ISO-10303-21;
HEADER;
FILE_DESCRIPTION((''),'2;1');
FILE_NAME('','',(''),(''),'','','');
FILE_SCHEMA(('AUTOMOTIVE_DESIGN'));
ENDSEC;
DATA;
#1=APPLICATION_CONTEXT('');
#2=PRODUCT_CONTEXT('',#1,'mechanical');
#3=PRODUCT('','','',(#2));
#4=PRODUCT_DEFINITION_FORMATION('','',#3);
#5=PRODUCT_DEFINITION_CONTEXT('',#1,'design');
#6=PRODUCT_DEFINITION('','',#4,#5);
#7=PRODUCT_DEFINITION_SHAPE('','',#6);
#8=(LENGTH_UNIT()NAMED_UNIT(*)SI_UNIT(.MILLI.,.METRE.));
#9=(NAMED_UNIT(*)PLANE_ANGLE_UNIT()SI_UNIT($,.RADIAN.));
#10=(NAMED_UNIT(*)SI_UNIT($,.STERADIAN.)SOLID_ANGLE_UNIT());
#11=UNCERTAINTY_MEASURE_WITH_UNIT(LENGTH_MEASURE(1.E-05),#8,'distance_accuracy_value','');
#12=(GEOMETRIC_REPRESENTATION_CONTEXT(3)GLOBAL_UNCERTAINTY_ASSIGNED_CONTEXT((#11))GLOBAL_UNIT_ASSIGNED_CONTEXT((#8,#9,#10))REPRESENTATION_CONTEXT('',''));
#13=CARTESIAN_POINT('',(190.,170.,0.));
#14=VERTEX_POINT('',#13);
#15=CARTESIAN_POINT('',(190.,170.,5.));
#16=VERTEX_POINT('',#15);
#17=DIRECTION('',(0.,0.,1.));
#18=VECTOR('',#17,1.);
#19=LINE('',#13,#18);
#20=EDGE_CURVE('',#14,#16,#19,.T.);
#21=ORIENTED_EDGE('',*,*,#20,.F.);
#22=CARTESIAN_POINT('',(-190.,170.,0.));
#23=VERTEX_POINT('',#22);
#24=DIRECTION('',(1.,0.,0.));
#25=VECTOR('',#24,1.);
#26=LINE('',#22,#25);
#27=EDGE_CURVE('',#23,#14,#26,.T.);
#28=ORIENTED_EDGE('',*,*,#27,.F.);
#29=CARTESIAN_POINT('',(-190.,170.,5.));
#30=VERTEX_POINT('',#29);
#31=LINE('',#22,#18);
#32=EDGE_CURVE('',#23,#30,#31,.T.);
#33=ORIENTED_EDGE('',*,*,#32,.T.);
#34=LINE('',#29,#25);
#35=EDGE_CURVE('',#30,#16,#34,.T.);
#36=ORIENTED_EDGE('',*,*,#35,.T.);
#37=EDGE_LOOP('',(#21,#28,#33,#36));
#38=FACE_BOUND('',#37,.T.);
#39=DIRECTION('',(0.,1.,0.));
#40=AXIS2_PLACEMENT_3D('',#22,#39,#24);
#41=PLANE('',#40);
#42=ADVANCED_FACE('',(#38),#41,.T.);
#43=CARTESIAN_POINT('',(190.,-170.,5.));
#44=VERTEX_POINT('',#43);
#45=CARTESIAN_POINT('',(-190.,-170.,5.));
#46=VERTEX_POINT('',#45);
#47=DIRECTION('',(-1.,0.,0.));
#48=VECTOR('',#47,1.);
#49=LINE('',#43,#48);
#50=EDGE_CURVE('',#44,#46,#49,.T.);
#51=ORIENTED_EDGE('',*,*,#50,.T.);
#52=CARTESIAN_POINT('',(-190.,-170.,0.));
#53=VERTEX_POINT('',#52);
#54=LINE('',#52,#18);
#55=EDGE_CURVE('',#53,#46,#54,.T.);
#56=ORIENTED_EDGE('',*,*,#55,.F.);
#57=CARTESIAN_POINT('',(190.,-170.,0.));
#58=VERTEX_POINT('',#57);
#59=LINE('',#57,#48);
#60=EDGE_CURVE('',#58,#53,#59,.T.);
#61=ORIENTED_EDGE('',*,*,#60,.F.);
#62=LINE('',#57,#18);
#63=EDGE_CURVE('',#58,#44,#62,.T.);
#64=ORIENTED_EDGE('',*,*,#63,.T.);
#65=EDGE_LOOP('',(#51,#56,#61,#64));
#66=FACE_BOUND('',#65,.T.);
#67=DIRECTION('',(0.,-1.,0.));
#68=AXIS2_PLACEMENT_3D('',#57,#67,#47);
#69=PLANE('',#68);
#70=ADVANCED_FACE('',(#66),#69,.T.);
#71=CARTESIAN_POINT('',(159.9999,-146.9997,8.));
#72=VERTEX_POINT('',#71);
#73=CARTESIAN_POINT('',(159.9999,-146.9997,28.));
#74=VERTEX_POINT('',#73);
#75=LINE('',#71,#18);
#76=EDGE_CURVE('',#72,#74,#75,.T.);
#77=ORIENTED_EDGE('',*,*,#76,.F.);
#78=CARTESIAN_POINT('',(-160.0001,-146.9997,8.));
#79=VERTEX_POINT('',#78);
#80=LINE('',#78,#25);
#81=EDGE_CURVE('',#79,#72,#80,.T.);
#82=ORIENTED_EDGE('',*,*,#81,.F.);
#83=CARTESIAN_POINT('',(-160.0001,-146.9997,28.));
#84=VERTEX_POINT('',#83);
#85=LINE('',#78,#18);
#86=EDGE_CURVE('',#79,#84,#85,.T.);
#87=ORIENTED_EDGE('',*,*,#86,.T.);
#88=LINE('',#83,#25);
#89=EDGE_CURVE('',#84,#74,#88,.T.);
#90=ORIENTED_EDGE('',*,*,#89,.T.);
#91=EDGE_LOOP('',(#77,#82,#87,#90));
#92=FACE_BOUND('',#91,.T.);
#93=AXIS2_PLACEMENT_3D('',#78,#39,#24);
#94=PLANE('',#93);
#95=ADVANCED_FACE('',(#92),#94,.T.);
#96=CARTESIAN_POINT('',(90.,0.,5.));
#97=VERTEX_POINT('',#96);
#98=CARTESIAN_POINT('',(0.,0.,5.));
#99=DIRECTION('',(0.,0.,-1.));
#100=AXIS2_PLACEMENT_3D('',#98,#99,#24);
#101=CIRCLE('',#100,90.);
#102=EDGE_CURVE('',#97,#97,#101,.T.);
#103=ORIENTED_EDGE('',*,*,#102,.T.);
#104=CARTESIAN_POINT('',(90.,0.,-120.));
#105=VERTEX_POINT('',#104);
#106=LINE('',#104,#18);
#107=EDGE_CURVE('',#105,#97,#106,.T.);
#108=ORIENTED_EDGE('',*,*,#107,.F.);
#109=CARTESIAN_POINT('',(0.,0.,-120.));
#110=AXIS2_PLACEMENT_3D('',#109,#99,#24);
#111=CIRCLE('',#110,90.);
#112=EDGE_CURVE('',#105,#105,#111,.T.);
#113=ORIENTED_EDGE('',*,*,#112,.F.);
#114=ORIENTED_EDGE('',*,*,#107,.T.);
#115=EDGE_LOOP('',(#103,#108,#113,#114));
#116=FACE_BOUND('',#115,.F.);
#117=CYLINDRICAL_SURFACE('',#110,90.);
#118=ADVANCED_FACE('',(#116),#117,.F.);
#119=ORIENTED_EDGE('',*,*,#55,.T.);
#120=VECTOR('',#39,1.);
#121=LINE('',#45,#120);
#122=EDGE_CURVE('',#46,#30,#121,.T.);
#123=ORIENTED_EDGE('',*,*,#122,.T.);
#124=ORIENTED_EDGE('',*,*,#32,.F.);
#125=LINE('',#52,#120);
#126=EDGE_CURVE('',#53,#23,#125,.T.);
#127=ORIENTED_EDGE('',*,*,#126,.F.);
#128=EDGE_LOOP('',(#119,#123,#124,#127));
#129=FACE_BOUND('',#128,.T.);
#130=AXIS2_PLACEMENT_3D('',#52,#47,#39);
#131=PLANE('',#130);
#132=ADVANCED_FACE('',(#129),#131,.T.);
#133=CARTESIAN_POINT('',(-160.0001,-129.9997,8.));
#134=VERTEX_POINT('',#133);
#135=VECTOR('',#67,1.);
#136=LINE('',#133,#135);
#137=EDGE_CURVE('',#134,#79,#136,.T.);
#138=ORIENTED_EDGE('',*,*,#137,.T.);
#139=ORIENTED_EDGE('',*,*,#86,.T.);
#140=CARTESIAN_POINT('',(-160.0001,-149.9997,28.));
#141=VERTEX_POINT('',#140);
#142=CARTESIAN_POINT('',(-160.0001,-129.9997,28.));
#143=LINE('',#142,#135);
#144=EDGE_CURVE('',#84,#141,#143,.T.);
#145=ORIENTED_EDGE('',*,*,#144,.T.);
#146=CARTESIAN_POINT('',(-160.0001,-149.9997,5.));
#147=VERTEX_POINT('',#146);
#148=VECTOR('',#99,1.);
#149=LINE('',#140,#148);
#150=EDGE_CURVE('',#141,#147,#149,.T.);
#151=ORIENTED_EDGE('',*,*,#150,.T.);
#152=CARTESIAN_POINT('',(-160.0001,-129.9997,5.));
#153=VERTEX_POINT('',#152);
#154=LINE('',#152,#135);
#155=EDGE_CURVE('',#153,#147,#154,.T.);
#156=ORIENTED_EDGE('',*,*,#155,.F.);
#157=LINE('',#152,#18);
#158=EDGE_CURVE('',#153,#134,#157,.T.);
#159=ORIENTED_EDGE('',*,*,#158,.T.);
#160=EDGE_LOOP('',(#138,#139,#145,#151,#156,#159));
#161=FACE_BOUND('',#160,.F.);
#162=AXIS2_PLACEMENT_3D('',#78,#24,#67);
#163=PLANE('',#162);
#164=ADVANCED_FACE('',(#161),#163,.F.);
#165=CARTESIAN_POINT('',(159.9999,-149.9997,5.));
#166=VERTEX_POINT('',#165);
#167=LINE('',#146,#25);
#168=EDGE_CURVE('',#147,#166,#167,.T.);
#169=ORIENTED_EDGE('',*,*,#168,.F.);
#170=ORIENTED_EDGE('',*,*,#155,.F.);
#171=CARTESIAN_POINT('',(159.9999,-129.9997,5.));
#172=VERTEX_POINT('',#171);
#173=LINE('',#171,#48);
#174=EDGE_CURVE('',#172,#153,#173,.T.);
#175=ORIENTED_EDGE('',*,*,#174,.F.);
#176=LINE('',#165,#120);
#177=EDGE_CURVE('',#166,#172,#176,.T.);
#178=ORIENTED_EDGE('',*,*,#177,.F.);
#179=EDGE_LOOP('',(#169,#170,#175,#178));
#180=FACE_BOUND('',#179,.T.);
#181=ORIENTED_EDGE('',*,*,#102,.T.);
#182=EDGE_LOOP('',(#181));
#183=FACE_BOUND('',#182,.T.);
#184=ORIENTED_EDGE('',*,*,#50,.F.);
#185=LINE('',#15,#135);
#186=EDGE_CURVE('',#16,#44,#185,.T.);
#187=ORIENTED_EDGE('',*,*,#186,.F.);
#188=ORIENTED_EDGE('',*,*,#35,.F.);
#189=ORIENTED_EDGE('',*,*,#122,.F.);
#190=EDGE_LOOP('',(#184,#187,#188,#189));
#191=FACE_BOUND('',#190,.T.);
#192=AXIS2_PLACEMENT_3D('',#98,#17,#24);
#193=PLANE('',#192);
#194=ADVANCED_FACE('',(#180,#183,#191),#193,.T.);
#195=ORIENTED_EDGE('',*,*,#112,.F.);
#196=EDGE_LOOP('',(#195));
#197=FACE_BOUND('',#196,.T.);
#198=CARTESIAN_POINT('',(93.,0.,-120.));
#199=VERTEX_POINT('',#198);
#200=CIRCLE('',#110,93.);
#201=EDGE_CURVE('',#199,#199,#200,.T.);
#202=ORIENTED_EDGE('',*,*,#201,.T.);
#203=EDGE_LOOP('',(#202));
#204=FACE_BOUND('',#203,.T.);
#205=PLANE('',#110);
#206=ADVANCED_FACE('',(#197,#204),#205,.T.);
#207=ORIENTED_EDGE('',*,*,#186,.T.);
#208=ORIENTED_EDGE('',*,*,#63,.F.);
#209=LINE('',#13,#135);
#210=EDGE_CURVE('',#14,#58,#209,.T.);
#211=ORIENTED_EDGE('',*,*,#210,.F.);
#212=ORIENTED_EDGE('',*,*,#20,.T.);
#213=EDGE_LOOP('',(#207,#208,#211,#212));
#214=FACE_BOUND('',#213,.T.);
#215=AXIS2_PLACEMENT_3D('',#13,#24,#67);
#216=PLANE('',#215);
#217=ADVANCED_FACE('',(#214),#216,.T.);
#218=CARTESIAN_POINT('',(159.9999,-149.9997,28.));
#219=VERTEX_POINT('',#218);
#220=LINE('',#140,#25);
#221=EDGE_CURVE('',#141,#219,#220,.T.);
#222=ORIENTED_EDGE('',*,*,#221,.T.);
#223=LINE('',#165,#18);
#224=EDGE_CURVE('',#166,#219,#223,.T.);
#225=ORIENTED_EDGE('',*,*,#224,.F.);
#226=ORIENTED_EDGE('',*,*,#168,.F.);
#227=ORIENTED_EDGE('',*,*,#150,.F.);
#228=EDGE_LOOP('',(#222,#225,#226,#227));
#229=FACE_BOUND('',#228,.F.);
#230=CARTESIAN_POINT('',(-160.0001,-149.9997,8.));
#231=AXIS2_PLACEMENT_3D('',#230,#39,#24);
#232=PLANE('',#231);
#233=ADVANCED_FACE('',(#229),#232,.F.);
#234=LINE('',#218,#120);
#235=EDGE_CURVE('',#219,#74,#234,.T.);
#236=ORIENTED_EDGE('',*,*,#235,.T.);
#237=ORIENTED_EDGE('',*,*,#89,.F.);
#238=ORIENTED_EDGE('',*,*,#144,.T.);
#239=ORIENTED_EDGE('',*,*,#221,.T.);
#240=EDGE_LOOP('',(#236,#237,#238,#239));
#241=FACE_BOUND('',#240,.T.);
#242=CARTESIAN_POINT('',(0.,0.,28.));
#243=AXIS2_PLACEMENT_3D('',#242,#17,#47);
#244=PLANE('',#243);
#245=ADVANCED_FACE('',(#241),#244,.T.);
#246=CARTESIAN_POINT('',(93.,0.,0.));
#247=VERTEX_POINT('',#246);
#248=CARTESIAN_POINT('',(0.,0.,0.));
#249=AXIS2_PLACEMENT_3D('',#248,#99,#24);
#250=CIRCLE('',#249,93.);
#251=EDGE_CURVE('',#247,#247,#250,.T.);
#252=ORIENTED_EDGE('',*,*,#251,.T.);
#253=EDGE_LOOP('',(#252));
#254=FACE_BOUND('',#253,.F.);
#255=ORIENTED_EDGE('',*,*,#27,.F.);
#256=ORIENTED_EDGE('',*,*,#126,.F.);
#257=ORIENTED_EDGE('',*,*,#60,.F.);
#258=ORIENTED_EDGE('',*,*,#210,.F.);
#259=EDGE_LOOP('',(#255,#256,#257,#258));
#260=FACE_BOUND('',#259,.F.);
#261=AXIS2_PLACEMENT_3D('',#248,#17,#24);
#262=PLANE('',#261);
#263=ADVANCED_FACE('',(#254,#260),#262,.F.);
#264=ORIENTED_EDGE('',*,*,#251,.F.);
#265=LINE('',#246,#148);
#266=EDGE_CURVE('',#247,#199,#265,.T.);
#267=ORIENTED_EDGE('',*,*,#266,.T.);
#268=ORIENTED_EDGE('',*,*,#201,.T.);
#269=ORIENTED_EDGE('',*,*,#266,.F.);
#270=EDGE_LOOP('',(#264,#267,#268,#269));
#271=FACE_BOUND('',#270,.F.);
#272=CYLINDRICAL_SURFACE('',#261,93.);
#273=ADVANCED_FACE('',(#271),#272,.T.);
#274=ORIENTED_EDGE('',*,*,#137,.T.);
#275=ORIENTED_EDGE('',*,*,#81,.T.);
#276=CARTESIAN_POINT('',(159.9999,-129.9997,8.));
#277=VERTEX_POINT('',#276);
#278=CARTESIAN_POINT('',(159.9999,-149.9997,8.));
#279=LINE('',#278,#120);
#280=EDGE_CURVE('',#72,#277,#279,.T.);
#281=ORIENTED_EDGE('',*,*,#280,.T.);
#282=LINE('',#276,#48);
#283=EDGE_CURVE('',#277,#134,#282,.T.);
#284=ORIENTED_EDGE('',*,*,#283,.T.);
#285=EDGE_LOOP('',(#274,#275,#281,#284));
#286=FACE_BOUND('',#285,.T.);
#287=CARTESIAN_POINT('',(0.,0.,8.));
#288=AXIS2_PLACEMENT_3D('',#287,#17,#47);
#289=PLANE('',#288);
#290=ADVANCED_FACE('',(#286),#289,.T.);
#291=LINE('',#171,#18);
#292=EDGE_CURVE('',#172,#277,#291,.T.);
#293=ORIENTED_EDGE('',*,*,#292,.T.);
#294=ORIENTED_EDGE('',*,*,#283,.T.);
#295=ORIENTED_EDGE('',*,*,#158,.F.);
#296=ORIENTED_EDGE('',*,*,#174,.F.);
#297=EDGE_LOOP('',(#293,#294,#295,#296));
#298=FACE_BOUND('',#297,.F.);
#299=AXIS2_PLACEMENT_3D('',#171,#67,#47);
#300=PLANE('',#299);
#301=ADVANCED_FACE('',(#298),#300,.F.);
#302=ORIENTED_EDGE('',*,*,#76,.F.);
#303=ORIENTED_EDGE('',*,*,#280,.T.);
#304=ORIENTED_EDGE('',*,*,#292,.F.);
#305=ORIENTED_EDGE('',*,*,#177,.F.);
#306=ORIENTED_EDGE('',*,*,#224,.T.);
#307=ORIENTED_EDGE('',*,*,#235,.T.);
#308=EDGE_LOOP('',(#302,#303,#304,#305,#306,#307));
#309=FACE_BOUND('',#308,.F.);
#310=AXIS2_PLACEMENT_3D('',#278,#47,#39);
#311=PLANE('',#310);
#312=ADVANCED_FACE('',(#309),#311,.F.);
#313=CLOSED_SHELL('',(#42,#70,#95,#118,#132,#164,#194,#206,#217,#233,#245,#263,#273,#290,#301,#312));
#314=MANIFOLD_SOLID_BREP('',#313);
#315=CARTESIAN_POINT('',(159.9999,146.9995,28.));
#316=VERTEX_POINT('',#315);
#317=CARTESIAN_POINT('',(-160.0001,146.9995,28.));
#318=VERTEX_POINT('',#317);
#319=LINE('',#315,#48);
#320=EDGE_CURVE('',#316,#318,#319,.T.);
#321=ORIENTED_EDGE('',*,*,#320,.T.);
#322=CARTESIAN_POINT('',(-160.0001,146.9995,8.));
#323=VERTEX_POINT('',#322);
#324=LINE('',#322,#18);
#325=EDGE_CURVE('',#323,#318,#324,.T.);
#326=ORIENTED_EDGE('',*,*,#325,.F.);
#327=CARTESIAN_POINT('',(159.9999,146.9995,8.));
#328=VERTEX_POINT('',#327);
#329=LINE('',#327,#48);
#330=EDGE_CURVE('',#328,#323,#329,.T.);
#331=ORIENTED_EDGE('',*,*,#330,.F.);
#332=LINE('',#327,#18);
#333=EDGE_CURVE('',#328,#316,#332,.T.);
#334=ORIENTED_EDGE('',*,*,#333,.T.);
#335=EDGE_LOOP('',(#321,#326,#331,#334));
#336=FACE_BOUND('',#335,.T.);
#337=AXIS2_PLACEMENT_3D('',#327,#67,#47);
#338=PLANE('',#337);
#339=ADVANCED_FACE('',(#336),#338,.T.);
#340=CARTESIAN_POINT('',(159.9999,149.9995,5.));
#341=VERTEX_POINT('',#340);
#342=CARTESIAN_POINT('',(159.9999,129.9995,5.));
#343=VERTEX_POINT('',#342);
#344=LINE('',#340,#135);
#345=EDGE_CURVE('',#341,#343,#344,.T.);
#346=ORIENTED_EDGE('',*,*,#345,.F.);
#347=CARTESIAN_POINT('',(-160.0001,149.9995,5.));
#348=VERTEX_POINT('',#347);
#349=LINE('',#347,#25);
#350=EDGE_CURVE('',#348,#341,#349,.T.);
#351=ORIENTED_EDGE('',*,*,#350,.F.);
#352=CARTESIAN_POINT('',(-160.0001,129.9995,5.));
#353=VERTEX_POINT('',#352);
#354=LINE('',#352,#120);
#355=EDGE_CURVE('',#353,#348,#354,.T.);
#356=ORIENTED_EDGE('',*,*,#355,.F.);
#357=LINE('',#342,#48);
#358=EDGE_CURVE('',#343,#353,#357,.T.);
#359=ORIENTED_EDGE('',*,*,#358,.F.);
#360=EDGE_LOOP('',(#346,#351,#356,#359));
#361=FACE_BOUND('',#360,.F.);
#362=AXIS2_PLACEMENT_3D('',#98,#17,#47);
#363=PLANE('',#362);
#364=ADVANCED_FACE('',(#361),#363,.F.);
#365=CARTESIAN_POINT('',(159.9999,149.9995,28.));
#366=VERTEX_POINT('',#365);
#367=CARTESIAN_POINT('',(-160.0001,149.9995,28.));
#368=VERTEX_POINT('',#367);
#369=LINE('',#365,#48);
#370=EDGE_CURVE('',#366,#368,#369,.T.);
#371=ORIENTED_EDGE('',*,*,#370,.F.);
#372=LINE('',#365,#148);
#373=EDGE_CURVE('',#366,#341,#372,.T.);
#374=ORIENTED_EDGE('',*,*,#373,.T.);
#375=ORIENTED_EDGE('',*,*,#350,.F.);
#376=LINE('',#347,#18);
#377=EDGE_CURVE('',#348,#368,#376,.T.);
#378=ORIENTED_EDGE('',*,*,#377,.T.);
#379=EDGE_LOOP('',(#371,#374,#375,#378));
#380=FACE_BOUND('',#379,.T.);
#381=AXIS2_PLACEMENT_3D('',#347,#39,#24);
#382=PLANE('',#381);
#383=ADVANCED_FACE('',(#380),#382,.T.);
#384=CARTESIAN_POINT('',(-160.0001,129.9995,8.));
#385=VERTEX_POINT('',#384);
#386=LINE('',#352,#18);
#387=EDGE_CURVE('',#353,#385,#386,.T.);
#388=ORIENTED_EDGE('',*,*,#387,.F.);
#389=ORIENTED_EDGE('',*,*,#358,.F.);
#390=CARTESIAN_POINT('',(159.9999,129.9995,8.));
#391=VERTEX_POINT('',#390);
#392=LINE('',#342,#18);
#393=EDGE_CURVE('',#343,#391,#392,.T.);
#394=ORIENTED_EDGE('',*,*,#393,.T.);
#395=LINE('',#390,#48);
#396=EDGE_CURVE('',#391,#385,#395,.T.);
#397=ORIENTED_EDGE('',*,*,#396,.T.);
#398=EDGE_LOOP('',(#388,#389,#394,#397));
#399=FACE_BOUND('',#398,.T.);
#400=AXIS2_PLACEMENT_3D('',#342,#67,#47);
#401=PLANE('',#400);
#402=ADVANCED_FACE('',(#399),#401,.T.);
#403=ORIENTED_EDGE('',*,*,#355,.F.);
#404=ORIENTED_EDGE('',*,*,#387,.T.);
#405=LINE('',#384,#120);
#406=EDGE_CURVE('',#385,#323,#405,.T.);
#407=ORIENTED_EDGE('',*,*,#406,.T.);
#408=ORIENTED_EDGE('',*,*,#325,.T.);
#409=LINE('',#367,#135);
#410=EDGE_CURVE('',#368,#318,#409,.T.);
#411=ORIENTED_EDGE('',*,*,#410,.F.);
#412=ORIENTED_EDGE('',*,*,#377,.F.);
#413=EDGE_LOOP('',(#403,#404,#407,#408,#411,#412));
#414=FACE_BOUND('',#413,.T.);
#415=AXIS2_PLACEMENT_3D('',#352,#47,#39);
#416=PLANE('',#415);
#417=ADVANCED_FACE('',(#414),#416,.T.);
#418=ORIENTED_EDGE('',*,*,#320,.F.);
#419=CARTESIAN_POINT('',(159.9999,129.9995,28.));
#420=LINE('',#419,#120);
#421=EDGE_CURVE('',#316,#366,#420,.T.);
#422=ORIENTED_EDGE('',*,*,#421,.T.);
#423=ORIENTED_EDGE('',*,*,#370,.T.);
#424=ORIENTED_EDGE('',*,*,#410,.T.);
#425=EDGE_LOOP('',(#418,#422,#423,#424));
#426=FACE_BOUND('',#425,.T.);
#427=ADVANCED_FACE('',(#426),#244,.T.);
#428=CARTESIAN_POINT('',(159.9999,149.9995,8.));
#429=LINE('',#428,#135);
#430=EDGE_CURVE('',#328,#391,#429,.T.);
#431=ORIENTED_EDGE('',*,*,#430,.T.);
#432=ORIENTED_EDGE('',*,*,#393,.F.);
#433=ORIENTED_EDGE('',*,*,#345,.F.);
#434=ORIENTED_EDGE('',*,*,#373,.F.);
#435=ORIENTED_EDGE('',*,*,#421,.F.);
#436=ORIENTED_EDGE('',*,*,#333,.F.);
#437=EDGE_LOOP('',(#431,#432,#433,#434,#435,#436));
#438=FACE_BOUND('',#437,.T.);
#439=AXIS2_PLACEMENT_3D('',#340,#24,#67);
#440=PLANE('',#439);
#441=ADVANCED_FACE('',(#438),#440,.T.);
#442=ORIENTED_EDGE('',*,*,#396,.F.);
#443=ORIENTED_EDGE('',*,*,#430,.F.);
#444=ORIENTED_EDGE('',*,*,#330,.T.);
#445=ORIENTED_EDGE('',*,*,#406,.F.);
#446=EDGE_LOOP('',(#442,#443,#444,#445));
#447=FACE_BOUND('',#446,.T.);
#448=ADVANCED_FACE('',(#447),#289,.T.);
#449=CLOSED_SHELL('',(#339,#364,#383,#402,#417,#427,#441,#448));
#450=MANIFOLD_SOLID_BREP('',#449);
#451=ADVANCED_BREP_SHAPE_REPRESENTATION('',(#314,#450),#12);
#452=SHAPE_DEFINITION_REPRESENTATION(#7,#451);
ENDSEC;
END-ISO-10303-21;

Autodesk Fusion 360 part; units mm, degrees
sketch "Esquisse1" plane through (0, 0, 0) normal (0, 0, 1) x (1, 0, 0)
  line L0 (190, -170) -> (-190, -170)
  line L1 (-190, -170) -> (-190, 170)
  line L2 (-190, 170) -> (190, 170)
  line L3 (190, 170) -> (190, -170)
  line L4 (190, -170) -> (-190, 170) construction
  line L5 (-190, -170) -> (190, 170) construction
  dimension "d1" = 380
  dimension "d2" = 340
extrude "Extrusion1" add sketch "Esquisse1" along normal blind 5 makes body 1
sketch "Esquisse2" plane through (0, 0, 0) normal (0, 0, -1) x (1, 0, 0)
  line L0 (-190, -170) -> (190, -170)
  line L1 (190, -170) -> (190, 170)
  line L2 (190, 170) -> (-190, 170)
  line L3 (-190, 170) -> (-190, -170)
  circle A0 centre (0, 0) radius 93
  dimension "d5" = 186
extrude "Extrusion2" add sketch "Esquisse2" along normal blind 120 contours A0 bodies 1
sketch "Esquisse3" plane through (0, 0, -120) normal (0, 0, -1) x (1, 0, 0)
  circle A0 centre (0, 0) radius 93
  circle A1 centre (0, 0) radius 90
  dimension "d8" = 180
extrude "Extrusion3" cut sketch "Esquisse3" against normal blind 125 contours A1 bodies 1
sketch "Esquisse4" plane through (0, 0, 5) normal (0, 0, 1) x (-1, 0, 0)
  circle A0 centre (0, 0) radius 90
  line L0 (-190, -170) -> (190, -170)
  line L1 (190, -170) -> (190, 170)
  line L2 (190, 170) -> (-190, 170)
  line L3 (-190, 170) -> (-190, -170)
  line L4 (160.0001, -149.9995) -> (-159.9999, -149.9995)
  line L5 (-159.9999, -149.9995) -> (-159.9999, -129.9995)
  line L6 (-159.9999, -129.9995) -> (160.0001, -129.9995)
  line L7 (160.0001, -129.9995) -> (160.0001, -149.9995)
  dimension "d11" = 320
  dimension "d12" = 20
extrude "Extrusion4" add sketch "Esquisse4" along normal blind 3 separate body contours L4 L5 L6 L7 makes body 2
sketch "Esquisse11" plane through (0, 0, 8) normal (0, 0, 1) x (-1, 0, 0)
  line L0 (160.0001, -129.9995) -> (-159.9999, -129.9995)
  line L1 (-159.9999, -129.9995) -> (-159.9999, -149.9995)
  line L2 (-159.9999, -149.9995) -> (160.0001, -149.9995)
  line L3 (160.0001, -149.9995) -> (160.0001, -129.9995)
  line L4 (160.0001, -149.9995) -> (-159.9999, -149.9995)
  line L5 (-159.9999, -149.9995) -> (-159.9999, -146.9995)
  line L6 (-159.9999, -146.9995) -> (160.0001, -146.9995)
  line L7 (160.0001, -146.9995) -> (160.0001, -149.9995)
  dimension "d16" = 320
  dimension "d17" = 3
extrude "Extrusion5" add sketch "Esquisse11" along normal blind 20 contours L1 L2 L3 L4 L5 L6 L7 bodies 2
sketch "Esquisse12" plane through (0, 0, 5) normal (0, 0, 1) x (-1, 0, 0)
  circle A0 centre (0, 0) radius 90
  line L0 (-190, -170) -> (190, -170)
  line L1 (190, -170) -> (190, 170)
  line L2 (190, 170) -> (-190, 170)
  line L3 (-190, 170) -> (-190, -170)
  line L4 (-159.9999, 129.9997) -> (160.0001, 129.9997)
  line L5 (160.0001, 129.9997) -> (160.0001, 149.9997)
  line L6 (160.0001, 149.9997) -> (-159.9999, 149.9997)
  line L7 (-159.9999, 149.9997) -> (-159.9999, 129.9997)
  dimension "d20" = 320
  dimension "d21" = 20
extrude "Extrusion6" add sketch "Esquisse12" along normal blind 3 contours L4 L5 L6 L7 bodies 1
sketch "Esquisse13" plane through (0, 0, 8) normal (0, 0, 1) x (-1, 0, 0)
  line L0 (-159.9999, 149.9997) -> (-159.9999, 129.9997)
  line L1 (-159.9999, 129.9997) -> (160.0001, 129.9997)
  line L2 (160.0001, 129.9997) -> (160.0001, 149.9997)
  line L3 (160.0001, 149.9997) -> (-159.9999, 149.9997)
  line L4 (-159.9999, 149.9997) -> (160.0001, 149.9997)
  line L5 (160.0001, 149.9997) -> (160.0001, 146.9997)
  line L6 (160.0001, 146.9997) -> (-159.9999, 146.9997)
  line L7 (-159.9999, 146.9997) -> (-159.9999, 149.9997)
  dimension "d24" = 320
  dimension "d25" = 3
extrude "Extrusion7" add sketch "Esquisse13" along normal blind 20 contours L0 L2 L3 L4 L5 L6 L7 bodies 1
